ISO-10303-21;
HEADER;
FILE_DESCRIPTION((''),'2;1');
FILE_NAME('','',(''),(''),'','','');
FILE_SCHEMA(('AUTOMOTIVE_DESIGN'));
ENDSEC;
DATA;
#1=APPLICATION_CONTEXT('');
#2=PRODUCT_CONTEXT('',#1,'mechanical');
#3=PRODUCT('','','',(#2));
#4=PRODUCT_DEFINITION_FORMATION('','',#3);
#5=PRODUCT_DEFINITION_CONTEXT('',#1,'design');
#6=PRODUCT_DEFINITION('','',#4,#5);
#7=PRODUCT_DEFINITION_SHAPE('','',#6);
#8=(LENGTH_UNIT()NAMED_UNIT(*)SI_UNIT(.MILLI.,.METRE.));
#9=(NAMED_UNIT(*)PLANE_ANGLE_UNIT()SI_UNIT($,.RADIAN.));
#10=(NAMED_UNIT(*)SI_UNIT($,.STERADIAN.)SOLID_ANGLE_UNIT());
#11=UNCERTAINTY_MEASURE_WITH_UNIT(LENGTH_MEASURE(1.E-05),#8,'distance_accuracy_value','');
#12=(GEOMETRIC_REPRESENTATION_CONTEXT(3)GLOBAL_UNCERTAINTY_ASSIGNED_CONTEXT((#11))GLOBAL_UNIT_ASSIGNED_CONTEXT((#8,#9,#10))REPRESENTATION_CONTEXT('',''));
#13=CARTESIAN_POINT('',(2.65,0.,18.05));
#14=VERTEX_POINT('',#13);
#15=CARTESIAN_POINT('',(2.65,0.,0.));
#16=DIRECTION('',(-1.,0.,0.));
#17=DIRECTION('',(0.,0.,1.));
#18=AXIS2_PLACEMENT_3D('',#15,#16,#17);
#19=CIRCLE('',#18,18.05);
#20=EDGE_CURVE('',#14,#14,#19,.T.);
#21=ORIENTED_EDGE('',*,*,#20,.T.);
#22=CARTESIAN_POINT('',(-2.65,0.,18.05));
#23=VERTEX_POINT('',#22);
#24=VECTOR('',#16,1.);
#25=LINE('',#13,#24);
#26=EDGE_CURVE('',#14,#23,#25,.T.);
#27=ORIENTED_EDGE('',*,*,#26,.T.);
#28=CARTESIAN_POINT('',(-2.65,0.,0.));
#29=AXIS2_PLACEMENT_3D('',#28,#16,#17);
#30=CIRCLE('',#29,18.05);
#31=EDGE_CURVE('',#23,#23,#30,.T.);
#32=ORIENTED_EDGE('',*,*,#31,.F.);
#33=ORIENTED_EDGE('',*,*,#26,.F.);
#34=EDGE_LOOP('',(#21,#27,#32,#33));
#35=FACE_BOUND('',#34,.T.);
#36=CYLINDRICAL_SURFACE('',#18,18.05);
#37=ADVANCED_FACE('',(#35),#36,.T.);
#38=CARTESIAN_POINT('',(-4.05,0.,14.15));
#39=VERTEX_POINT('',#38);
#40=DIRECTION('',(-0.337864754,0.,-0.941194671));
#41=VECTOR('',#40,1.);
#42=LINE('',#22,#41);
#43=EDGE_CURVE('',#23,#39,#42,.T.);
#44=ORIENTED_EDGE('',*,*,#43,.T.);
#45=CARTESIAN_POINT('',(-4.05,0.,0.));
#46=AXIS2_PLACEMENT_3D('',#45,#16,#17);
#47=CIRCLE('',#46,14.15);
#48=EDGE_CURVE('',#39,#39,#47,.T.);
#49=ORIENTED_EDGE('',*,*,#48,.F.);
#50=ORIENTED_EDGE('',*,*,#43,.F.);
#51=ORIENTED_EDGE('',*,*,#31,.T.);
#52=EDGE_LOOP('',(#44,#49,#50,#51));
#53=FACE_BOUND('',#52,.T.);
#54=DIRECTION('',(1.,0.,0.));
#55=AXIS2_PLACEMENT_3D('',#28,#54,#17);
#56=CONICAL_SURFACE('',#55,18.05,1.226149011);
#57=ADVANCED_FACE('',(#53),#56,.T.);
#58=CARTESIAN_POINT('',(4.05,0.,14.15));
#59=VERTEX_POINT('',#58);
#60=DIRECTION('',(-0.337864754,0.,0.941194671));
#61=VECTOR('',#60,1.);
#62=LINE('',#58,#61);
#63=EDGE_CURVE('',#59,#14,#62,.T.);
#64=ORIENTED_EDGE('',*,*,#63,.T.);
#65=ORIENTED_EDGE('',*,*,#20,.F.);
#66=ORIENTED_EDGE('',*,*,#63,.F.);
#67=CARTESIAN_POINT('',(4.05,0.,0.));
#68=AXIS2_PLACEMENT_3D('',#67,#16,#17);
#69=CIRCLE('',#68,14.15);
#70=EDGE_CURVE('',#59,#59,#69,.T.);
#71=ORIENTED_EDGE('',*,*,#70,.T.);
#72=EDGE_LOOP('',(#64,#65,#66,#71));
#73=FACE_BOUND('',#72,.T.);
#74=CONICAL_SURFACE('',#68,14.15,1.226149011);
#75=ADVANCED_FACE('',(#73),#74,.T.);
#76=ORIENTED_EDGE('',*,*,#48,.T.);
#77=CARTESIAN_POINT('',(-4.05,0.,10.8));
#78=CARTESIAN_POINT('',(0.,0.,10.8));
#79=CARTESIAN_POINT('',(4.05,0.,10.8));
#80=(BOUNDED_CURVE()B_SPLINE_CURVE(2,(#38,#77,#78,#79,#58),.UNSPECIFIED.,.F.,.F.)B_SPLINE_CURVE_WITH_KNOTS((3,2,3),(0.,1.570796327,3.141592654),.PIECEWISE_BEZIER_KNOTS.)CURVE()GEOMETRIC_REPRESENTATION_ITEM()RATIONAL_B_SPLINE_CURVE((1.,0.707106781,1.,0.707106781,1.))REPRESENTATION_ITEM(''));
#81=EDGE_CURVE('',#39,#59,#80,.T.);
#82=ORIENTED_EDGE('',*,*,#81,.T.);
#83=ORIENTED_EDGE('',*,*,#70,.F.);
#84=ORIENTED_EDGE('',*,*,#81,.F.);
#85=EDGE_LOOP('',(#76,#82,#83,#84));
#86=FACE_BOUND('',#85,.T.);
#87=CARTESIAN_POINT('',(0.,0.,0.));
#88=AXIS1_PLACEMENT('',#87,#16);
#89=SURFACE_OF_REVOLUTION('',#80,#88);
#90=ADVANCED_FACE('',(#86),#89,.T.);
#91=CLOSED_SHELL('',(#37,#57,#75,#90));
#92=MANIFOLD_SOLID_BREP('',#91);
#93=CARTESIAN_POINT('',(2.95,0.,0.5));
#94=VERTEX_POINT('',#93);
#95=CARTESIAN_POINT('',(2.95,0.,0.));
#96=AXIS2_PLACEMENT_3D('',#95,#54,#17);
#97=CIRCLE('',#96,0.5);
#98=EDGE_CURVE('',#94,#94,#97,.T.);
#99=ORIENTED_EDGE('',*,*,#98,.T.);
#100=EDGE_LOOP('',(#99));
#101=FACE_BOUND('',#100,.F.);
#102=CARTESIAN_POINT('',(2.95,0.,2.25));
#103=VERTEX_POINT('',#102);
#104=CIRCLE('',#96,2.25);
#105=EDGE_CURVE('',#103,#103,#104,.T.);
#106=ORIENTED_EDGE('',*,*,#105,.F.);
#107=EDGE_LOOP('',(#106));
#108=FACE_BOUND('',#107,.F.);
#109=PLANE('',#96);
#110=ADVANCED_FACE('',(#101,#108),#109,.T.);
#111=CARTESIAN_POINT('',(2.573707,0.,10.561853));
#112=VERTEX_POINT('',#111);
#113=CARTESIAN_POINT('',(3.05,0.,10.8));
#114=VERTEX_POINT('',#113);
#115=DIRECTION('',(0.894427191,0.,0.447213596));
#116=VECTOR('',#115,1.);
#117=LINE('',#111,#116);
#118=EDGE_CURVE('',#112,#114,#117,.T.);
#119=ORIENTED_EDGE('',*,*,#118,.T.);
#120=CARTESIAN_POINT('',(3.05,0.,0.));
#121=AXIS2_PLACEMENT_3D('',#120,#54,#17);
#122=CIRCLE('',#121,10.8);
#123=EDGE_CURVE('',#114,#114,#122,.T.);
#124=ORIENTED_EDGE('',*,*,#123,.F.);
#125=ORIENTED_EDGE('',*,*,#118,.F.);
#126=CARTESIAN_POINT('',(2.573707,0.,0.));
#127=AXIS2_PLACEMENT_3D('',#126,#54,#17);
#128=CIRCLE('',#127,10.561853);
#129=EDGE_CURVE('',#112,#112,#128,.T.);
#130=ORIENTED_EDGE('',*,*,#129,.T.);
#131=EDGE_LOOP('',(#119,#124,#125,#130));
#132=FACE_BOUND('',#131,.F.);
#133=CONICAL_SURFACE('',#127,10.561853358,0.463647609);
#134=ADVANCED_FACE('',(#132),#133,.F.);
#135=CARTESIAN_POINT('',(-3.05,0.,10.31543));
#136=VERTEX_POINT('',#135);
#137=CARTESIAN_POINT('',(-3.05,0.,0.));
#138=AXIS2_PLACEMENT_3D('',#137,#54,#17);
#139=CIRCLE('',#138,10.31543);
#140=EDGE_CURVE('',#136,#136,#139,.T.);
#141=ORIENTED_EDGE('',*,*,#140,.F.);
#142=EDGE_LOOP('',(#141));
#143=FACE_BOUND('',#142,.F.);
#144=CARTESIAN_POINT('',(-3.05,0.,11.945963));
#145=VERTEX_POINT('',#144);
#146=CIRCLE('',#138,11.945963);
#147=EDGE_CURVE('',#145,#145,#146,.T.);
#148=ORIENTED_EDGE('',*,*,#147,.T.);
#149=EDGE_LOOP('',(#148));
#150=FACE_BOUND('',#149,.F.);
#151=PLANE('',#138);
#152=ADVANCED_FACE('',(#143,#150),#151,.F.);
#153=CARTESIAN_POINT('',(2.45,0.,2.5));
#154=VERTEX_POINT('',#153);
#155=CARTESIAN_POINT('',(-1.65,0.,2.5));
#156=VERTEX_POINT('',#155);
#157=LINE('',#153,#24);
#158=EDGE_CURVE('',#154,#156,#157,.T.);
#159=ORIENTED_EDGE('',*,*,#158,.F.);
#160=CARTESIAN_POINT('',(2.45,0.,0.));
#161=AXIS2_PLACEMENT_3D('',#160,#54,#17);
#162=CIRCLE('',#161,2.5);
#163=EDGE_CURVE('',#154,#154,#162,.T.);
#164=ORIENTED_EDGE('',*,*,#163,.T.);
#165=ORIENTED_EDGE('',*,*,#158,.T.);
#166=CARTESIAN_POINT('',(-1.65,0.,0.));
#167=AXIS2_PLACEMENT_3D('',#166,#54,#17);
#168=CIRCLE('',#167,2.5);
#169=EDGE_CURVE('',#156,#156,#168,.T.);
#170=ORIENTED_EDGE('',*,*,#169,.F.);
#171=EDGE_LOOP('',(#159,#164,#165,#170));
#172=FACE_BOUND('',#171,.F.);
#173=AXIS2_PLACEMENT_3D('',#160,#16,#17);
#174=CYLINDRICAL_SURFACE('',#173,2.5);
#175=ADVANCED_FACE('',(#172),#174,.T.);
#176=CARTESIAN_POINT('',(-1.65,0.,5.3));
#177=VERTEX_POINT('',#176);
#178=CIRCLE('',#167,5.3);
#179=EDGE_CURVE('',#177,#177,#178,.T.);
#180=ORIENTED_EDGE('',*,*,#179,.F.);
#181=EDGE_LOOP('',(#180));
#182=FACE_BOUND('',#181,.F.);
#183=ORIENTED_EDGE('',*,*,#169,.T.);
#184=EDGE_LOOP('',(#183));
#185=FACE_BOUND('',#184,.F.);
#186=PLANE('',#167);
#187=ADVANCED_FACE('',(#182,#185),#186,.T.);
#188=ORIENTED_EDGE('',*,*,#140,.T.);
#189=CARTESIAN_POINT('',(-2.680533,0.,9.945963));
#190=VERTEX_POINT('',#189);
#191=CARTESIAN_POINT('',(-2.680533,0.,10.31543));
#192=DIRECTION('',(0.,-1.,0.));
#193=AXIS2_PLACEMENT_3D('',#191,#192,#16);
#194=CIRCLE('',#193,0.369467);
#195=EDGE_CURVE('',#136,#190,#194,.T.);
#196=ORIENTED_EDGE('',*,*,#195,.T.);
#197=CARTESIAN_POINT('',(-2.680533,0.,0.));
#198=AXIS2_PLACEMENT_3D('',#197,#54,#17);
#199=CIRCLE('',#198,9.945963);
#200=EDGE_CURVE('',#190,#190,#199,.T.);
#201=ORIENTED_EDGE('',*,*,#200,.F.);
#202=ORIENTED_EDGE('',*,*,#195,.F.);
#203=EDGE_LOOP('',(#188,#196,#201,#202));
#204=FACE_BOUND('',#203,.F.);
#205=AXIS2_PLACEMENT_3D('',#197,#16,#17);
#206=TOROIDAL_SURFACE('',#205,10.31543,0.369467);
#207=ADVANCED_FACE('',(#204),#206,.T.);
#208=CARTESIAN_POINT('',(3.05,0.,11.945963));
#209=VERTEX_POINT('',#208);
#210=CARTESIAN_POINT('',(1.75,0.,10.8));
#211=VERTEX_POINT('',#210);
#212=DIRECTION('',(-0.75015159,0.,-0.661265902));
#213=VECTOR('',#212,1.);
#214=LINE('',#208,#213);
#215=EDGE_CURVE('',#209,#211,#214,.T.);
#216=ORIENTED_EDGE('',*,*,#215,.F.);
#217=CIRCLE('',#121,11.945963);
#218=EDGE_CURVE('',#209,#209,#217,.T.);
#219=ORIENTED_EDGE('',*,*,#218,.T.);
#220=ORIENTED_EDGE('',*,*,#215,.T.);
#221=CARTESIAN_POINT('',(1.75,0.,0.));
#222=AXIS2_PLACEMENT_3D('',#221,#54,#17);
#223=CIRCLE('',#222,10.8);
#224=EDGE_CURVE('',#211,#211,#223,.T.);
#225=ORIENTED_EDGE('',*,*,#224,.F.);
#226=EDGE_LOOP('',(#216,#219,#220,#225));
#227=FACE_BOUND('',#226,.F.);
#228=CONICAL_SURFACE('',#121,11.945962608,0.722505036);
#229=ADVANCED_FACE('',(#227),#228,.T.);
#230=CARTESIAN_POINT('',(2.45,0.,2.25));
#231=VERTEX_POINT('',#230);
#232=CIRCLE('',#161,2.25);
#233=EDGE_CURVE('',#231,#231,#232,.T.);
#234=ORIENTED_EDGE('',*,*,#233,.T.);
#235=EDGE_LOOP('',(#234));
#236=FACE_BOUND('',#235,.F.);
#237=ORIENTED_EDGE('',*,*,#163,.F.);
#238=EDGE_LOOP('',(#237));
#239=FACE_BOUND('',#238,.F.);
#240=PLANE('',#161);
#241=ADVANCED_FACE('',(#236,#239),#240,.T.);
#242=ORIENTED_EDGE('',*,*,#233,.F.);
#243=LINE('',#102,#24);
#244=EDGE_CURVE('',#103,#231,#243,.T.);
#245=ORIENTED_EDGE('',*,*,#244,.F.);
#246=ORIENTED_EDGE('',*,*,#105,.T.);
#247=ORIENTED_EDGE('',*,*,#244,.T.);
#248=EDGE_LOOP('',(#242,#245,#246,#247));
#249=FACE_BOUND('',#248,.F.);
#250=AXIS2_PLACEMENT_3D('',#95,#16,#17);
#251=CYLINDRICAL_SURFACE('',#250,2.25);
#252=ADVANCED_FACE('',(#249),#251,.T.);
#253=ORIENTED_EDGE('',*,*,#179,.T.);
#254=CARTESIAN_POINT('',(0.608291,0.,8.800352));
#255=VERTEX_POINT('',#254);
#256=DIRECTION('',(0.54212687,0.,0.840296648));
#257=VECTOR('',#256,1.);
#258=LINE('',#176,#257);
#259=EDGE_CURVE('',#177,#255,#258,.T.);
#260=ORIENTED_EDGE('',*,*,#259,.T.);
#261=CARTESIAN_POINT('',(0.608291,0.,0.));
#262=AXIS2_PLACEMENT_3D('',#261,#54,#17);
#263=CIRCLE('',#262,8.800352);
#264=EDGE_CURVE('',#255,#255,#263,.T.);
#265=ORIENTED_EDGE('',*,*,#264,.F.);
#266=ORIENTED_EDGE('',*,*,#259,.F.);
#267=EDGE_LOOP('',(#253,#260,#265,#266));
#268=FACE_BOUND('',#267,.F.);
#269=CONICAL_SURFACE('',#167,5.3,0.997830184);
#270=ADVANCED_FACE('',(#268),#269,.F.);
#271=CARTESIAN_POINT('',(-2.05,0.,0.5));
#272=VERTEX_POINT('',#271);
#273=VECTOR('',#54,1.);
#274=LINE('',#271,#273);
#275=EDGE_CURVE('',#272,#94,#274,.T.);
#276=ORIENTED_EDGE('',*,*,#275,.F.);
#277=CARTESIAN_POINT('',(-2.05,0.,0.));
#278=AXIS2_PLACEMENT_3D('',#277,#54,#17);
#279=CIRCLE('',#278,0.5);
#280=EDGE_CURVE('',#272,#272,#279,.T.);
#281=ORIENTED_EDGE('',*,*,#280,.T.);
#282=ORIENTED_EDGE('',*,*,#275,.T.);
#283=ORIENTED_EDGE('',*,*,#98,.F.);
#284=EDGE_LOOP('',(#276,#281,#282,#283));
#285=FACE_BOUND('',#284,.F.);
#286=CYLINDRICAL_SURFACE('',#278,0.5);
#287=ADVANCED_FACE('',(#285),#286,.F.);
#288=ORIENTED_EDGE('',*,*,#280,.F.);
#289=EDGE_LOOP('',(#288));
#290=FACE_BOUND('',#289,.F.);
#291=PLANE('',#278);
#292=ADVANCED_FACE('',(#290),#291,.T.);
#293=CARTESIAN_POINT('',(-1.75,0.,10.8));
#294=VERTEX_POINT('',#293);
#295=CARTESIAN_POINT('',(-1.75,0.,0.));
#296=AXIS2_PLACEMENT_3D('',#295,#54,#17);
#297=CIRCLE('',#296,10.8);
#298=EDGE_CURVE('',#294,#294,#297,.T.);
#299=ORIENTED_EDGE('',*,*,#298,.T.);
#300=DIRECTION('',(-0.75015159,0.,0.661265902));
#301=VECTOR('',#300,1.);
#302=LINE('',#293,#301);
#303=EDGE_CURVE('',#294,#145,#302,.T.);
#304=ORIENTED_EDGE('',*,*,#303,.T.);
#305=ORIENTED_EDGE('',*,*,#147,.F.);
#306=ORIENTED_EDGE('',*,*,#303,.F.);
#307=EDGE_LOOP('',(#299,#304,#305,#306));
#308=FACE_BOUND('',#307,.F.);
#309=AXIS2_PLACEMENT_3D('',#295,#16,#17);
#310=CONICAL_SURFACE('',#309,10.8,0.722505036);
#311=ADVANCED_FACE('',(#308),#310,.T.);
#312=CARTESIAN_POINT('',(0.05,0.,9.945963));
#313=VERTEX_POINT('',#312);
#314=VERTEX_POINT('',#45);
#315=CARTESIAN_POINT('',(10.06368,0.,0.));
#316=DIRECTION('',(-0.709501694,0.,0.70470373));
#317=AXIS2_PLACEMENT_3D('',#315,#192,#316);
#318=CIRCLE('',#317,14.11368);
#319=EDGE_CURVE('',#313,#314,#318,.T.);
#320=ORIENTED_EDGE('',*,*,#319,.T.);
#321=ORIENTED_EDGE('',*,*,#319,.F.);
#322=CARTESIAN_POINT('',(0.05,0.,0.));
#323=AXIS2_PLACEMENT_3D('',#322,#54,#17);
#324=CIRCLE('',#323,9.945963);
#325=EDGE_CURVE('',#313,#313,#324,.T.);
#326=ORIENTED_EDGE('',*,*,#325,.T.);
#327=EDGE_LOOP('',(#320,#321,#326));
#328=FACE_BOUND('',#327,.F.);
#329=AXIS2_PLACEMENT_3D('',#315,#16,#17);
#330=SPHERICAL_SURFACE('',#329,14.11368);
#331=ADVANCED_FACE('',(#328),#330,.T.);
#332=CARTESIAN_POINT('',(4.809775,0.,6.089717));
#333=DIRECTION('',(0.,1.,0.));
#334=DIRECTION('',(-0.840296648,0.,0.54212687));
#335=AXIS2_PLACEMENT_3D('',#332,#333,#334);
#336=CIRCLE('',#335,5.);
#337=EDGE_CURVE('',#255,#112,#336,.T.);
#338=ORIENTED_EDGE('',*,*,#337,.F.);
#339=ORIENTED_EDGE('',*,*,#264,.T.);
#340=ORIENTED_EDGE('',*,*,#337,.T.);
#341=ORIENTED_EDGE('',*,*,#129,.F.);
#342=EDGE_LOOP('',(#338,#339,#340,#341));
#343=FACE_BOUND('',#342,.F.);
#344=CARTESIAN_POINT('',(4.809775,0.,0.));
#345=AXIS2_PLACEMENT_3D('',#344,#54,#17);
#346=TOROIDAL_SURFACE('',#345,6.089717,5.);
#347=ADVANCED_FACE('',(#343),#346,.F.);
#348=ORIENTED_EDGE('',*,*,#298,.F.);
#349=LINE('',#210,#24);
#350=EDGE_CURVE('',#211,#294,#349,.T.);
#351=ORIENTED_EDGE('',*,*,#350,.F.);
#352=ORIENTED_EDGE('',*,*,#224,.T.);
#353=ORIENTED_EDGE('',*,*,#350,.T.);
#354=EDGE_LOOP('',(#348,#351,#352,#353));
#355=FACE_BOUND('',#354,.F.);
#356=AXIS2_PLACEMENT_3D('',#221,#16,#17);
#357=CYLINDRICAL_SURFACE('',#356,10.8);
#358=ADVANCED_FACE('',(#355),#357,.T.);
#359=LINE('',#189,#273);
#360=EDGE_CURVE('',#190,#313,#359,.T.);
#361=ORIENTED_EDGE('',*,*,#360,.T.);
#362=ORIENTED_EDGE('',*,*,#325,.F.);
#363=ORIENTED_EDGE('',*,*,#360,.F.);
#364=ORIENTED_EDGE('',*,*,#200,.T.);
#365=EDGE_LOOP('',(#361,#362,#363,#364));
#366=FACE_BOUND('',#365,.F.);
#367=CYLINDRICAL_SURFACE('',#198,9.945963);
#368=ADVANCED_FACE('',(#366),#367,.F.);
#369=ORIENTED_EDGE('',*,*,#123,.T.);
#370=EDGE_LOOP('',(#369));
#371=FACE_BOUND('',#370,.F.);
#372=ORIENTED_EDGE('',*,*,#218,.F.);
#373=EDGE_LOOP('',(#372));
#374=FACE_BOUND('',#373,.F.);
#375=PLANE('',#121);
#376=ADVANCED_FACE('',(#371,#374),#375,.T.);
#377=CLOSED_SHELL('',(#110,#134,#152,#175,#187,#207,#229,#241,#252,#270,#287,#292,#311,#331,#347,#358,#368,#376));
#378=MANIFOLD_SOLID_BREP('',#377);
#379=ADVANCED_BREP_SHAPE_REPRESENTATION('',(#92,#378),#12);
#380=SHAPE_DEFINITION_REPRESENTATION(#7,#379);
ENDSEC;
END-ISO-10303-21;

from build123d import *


with BuildPart() as f1:
    # F0 (on Front) → F1 (revolve)
    with BuildSketch(Plane.XZ):
        with BuildLine():
            Line((-2.65, 18.05), (-4.05, 14.15))
            add(Edge.make_bspline(
                [(-4.05, 14.15), (-4.05, 10.8), (0, 10.8), (4.05, 10.8), (4.05, 14.15)],
                knots=[0, 0, 0, 1.5707963268, 1.5707963268, 3.1415926536, 3.1415926536, 3.1415926536], degree=2, weights=[1, 0.7071067812, 1, 0.7071067812, 1]))
            Line((4.05, 14.15), (2.65, 18.05))
            Line((2.65, 18.05), (-2.65, 18.05))
        make_face()
    revolve(axis=Axis((0, 0, 0), (-1, 0, 0)))


with BuildPart() as f3:
    # F2 (on Front) → F3 (revolve)
    with BuildSketch(Plane.XZ):
        with BuildLine():
            Line((-1.75, 10.8), (-3.05, 11.9459626078))
            Line((-3.05, 11.9459626078), (-3.05, 10.3154300727))
            ThreePointArc((-3.05, 10.3154300727), (-2.941785485, 10.0541771229), (-2.6805325351, 9.9459626078))
            Line((-2.6805325351, 9.9459626078), (0.05, 9.9459626078))
            ThreePointArc((0.05, 9.9459626078), (-2.9848034025, 5.3789444177), (-4.05, 0))
            Line((-4.05, 0), (-2.05, 0))
            Line((-2.05, 0), (-2.05, 0.5))
            Line((-2.05, 0.5), (2.95, 0.5))
            Line((2.95, 0.5), (2.95, 2.25))
            Line((2.95, 2.25), (2.45, 2.25))
            Line((2.45, 2.25), (2.45, 2.5))
            Line((2.45, 2.5), (-1.65, 2.5))
            Line((-1.65, 2.5), (-1.65, 5.3))
            Line((-1.65, 5.3), (0.6082914533, 8.8003517526))
            ThreePointArc((0.6082914533, 8.8003517526), (1.4726743962, 9.8131246602), (2.5737067169, 10.5618533584))
            Line((2.5737067169, 10.5618533584), (3.05, 10.8))
            Line((3.05, 10.8), (3.05, 11.9459626078))
            Line((3.05, 11.9459626078), (1.75, 10.8))
            Line((1.75, 10.8), (-1.75, 10.8))
        make_face()
    revolve(axis=Axis((-3.05, 0, 0), (1, 0, 0)))


solid = Compound([f1.part, f3.part])
